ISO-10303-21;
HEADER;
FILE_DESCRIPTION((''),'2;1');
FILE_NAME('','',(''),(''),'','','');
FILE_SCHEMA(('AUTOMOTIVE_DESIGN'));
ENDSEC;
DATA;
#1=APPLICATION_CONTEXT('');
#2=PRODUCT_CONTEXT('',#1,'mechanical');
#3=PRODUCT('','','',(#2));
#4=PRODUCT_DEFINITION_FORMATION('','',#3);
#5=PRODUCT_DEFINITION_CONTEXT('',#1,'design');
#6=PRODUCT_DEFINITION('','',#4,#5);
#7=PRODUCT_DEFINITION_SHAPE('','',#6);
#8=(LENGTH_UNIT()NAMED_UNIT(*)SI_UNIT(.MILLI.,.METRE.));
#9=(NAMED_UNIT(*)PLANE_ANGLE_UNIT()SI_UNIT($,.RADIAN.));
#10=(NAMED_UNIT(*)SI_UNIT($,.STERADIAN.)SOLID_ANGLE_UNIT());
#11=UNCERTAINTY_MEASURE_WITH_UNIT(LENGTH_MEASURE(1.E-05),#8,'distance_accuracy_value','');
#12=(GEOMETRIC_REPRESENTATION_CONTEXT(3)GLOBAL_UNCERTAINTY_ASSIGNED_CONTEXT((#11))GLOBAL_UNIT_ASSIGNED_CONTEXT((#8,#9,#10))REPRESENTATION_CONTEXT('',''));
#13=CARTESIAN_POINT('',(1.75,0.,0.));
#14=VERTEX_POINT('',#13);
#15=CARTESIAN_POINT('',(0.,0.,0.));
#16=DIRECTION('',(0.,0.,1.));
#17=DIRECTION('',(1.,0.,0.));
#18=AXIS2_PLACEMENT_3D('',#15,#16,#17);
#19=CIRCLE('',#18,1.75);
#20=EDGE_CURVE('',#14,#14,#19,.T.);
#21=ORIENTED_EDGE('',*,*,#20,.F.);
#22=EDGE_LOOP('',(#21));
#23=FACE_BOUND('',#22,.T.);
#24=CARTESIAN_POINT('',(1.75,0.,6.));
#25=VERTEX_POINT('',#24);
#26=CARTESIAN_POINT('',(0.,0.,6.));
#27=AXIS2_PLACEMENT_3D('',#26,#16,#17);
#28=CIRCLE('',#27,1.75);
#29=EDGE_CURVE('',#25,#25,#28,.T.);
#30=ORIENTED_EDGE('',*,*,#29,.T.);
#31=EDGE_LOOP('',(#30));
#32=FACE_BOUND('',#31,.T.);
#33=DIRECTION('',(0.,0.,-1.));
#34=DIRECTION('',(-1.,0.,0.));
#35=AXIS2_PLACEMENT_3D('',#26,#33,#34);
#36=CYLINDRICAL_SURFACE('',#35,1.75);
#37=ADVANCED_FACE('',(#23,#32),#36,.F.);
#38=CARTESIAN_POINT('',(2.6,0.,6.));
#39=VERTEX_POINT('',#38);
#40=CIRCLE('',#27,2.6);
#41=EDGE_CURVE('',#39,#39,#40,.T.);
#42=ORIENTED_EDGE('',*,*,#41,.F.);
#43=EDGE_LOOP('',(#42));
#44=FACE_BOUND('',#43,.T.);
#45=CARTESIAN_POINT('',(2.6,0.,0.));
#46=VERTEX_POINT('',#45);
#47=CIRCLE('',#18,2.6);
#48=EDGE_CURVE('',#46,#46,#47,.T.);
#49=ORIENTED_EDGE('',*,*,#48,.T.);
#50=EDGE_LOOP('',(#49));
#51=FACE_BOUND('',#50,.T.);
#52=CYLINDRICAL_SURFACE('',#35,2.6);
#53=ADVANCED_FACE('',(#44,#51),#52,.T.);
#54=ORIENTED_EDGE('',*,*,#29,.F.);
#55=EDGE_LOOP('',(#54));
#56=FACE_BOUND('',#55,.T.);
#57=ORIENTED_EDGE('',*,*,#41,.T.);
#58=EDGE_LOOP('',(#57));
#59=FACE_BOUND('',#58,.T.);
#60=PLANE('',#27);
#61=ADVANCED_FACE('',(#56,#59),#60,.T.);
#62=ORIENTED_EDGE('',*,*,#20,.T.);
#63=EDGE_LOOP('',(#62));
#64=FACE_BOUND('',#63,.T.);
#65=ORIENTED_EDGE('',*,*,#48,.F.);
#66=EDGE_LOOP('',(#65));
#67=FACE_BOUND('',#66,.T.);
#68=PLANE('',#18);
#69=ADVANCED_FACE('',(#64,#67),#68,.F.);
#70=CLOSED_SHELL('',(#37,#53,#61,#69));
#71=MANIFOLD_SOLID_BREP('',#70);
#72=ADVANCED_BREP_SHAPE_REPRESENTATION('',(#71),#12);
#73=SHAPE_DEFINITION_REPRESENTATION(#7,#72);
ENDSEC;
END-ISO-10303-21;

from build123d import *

# Parameters (mm, degrees)
ESBO_O1_R                = 2.6
ESBO_O1_R_2              = 1.75
RESSALTO_EXTRUS_O1_DEPTH = 6


with BuildPart() as part:
    # Esboço1 → Ressalto-extrusão1 (new body)
    with BuildSketch(Plane.XY):
        Circle(ESBO_O1_R)
        Circle(ESBO_O1_R_2, mode=Mode.SUBTRACT)
    extrude(amount=RESSALTO_EXTRUS_O1_DEPTH)


solid = part.part
